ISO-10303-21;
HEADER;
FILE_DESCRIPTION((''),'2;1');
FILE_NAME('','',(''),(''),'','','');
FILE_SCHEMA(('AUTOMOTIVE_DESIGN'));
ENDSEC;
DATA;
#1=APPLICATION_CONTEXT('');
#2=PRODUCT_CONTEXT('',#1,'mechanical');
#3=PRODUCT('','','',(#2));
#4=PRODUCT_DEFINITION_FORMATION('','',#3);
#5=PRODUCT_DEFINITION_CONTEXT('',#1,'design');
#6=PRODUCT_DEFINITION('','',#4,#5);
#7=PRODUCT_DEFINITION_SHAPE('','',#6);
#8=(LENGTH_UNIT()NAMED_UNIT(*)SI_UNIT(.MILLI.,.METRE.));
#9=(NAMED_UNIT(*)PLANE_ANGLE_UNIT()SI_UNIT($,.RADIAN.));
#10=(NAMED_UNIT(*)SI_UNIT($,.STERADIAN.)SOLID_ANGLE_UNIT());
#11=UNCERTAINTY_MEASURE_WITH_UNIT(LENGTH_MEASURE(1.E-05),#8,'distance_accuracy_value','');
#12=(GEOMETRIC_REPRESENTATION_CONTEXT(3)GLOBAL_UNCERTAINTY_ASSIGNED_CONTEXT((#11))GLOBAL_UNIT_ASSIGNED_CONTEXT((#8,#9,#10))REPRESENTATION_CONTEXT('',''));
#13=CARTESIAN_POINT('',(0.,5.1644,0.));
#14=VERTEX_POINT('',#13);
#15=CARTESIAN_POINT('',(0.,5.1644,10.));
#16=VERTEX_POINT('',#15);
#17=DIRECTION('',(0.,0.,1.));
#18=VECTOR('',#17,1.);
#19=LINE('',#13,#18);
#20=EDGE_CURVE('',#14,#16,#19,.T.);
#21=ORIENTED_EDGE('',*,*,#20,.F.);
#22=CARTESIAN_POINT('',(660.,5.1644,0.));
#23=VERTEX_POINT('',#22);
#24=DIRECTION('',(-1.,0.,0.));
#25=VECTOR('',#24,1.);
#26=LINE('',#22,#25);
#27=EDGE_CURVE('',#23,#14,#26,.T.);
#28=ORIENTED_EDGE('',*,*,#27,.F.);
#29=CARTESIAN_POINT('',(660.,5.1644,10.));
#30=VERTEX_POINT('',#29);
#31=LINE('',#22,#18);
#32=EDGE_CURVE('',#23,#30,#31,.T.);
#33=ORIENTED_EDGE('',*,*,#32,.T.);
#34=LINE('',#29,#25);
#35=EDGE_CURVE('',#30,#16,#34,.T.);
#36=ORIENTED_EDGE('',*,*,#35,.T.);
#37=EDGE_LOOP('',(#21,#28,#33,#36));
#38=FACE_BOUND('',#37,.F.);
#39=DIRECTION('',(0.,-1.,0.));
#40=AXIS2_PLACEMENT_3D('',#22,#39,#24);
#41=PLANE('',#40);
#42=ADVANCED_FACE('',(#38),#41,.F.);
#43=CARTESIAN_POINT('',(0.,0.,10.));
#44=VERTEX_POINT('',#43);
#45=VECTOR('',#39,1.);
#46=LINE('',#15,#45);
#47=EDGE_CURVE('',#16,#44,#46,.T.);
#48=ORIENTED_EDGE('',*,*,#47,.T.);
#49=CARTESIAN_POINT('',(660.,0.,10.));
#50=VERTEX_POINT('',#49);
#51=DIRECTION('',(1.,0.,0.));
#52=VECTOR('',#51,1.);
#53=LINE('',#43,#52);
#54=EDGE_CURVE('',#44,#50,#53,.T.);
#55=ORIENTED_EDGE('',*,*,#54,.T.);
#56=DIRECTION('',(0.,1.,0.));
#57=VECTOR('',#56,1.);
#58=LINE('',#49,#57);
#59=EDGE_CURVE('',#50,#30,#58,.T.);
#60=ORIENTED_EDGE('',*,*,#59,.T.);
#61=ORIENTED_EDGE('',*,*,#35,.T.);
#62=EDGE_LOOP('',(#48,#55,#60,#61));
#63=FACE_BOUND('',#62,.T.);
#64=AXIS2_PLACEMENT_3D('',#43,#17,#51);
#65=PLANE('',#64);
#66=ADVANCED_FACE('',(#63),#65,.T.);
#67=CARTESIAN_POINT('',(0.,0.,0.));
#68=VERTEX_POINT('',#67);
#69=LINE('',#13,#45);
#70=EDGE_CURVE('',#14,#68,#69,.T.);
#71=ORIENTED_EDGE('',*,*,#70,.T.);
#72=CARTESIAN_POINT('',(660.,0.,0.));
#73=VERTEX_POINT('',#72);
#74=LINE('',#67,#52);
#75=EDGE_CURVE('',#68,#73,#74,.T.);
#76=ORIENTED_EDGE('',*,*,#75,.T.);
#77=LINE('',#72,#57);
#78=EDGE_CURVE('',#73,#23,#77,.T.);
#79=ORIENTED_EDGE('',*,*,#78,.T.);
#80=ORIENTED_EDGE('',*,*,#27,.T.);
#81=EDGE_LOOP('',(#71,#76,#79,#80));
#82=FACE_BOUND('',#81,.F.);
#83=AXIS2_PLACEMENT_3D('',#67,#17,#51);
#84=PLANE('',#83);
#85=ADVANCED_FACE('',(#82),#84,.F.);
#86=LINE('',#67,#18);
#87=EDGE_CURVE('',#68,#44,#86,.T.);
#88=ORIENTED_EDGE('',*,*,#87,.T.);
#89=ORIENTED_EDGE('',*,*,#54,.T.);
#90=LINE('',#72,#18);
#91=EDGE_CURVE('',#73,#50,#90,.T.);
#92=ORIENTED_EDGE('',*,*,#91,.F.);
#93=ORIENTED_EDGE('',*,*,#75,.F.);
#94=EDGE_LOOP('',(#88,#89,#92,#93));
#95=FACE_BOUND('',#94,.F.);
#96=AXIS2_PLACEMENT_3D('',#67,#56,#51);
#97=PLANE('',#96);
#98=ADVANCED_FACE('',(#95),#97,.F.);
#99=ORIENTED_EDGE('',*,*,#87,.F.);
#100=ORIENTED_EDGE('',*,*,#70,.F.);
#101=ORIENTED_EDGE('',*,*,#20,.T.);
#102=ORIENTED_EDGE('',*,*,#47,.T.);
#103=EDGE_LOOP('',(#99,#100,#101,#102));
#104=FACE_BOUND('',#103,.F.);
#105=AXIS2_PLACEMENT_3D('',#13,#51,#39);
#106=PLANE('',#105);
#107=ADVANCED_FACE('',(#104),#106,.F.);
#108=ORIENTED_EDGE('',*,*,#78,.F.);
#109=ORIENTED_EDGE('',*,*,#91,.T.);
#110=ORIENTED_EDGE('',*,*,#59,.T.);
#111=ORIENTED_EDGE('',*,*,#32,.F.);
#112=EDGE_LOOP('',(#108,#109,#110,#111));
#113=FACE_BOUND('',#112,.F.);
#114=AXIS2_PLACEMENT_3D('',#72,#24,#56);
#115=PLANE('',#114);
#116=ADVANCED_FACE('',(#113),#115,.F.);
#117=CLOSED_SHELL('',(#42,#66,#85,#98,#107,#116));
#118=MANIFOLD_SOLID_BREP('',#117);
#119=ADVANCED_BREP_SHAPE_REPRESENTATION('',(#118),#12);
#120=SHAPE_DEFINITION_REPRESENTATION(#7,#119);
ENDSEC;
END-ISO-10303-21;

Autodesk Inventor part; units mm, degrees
ref_plane "YZ Plane" through (0, 0, 0) normal (1, 0, 0) x (0, 1, 0)
ref_plane "XZ Plane" through (0, 0, 0) normal (0, 1, 0) x (-1, 0, 0)
ref_plane "XY Plane" through (0, 0, 0) normal (0, 0, 1) x (1, 0, 0)
sketch "Sketch1" plane through (0, 0, 0) normal (0, 0, 1) x (1, 0, 0)
  line L0 (0, 0) -> (660, 0)
  line L1 (660, 0) -> (660, 5.1644)
  line L2 (660, 5.1644) -> (0, 5.1644)
  line L3 (0, 5.1644) -> (0, 0)
  dimension "d0" = 660
extrude "Extrusion1" add sketch "Sketch1" along normal blind 10
properties part number "buss bar"
